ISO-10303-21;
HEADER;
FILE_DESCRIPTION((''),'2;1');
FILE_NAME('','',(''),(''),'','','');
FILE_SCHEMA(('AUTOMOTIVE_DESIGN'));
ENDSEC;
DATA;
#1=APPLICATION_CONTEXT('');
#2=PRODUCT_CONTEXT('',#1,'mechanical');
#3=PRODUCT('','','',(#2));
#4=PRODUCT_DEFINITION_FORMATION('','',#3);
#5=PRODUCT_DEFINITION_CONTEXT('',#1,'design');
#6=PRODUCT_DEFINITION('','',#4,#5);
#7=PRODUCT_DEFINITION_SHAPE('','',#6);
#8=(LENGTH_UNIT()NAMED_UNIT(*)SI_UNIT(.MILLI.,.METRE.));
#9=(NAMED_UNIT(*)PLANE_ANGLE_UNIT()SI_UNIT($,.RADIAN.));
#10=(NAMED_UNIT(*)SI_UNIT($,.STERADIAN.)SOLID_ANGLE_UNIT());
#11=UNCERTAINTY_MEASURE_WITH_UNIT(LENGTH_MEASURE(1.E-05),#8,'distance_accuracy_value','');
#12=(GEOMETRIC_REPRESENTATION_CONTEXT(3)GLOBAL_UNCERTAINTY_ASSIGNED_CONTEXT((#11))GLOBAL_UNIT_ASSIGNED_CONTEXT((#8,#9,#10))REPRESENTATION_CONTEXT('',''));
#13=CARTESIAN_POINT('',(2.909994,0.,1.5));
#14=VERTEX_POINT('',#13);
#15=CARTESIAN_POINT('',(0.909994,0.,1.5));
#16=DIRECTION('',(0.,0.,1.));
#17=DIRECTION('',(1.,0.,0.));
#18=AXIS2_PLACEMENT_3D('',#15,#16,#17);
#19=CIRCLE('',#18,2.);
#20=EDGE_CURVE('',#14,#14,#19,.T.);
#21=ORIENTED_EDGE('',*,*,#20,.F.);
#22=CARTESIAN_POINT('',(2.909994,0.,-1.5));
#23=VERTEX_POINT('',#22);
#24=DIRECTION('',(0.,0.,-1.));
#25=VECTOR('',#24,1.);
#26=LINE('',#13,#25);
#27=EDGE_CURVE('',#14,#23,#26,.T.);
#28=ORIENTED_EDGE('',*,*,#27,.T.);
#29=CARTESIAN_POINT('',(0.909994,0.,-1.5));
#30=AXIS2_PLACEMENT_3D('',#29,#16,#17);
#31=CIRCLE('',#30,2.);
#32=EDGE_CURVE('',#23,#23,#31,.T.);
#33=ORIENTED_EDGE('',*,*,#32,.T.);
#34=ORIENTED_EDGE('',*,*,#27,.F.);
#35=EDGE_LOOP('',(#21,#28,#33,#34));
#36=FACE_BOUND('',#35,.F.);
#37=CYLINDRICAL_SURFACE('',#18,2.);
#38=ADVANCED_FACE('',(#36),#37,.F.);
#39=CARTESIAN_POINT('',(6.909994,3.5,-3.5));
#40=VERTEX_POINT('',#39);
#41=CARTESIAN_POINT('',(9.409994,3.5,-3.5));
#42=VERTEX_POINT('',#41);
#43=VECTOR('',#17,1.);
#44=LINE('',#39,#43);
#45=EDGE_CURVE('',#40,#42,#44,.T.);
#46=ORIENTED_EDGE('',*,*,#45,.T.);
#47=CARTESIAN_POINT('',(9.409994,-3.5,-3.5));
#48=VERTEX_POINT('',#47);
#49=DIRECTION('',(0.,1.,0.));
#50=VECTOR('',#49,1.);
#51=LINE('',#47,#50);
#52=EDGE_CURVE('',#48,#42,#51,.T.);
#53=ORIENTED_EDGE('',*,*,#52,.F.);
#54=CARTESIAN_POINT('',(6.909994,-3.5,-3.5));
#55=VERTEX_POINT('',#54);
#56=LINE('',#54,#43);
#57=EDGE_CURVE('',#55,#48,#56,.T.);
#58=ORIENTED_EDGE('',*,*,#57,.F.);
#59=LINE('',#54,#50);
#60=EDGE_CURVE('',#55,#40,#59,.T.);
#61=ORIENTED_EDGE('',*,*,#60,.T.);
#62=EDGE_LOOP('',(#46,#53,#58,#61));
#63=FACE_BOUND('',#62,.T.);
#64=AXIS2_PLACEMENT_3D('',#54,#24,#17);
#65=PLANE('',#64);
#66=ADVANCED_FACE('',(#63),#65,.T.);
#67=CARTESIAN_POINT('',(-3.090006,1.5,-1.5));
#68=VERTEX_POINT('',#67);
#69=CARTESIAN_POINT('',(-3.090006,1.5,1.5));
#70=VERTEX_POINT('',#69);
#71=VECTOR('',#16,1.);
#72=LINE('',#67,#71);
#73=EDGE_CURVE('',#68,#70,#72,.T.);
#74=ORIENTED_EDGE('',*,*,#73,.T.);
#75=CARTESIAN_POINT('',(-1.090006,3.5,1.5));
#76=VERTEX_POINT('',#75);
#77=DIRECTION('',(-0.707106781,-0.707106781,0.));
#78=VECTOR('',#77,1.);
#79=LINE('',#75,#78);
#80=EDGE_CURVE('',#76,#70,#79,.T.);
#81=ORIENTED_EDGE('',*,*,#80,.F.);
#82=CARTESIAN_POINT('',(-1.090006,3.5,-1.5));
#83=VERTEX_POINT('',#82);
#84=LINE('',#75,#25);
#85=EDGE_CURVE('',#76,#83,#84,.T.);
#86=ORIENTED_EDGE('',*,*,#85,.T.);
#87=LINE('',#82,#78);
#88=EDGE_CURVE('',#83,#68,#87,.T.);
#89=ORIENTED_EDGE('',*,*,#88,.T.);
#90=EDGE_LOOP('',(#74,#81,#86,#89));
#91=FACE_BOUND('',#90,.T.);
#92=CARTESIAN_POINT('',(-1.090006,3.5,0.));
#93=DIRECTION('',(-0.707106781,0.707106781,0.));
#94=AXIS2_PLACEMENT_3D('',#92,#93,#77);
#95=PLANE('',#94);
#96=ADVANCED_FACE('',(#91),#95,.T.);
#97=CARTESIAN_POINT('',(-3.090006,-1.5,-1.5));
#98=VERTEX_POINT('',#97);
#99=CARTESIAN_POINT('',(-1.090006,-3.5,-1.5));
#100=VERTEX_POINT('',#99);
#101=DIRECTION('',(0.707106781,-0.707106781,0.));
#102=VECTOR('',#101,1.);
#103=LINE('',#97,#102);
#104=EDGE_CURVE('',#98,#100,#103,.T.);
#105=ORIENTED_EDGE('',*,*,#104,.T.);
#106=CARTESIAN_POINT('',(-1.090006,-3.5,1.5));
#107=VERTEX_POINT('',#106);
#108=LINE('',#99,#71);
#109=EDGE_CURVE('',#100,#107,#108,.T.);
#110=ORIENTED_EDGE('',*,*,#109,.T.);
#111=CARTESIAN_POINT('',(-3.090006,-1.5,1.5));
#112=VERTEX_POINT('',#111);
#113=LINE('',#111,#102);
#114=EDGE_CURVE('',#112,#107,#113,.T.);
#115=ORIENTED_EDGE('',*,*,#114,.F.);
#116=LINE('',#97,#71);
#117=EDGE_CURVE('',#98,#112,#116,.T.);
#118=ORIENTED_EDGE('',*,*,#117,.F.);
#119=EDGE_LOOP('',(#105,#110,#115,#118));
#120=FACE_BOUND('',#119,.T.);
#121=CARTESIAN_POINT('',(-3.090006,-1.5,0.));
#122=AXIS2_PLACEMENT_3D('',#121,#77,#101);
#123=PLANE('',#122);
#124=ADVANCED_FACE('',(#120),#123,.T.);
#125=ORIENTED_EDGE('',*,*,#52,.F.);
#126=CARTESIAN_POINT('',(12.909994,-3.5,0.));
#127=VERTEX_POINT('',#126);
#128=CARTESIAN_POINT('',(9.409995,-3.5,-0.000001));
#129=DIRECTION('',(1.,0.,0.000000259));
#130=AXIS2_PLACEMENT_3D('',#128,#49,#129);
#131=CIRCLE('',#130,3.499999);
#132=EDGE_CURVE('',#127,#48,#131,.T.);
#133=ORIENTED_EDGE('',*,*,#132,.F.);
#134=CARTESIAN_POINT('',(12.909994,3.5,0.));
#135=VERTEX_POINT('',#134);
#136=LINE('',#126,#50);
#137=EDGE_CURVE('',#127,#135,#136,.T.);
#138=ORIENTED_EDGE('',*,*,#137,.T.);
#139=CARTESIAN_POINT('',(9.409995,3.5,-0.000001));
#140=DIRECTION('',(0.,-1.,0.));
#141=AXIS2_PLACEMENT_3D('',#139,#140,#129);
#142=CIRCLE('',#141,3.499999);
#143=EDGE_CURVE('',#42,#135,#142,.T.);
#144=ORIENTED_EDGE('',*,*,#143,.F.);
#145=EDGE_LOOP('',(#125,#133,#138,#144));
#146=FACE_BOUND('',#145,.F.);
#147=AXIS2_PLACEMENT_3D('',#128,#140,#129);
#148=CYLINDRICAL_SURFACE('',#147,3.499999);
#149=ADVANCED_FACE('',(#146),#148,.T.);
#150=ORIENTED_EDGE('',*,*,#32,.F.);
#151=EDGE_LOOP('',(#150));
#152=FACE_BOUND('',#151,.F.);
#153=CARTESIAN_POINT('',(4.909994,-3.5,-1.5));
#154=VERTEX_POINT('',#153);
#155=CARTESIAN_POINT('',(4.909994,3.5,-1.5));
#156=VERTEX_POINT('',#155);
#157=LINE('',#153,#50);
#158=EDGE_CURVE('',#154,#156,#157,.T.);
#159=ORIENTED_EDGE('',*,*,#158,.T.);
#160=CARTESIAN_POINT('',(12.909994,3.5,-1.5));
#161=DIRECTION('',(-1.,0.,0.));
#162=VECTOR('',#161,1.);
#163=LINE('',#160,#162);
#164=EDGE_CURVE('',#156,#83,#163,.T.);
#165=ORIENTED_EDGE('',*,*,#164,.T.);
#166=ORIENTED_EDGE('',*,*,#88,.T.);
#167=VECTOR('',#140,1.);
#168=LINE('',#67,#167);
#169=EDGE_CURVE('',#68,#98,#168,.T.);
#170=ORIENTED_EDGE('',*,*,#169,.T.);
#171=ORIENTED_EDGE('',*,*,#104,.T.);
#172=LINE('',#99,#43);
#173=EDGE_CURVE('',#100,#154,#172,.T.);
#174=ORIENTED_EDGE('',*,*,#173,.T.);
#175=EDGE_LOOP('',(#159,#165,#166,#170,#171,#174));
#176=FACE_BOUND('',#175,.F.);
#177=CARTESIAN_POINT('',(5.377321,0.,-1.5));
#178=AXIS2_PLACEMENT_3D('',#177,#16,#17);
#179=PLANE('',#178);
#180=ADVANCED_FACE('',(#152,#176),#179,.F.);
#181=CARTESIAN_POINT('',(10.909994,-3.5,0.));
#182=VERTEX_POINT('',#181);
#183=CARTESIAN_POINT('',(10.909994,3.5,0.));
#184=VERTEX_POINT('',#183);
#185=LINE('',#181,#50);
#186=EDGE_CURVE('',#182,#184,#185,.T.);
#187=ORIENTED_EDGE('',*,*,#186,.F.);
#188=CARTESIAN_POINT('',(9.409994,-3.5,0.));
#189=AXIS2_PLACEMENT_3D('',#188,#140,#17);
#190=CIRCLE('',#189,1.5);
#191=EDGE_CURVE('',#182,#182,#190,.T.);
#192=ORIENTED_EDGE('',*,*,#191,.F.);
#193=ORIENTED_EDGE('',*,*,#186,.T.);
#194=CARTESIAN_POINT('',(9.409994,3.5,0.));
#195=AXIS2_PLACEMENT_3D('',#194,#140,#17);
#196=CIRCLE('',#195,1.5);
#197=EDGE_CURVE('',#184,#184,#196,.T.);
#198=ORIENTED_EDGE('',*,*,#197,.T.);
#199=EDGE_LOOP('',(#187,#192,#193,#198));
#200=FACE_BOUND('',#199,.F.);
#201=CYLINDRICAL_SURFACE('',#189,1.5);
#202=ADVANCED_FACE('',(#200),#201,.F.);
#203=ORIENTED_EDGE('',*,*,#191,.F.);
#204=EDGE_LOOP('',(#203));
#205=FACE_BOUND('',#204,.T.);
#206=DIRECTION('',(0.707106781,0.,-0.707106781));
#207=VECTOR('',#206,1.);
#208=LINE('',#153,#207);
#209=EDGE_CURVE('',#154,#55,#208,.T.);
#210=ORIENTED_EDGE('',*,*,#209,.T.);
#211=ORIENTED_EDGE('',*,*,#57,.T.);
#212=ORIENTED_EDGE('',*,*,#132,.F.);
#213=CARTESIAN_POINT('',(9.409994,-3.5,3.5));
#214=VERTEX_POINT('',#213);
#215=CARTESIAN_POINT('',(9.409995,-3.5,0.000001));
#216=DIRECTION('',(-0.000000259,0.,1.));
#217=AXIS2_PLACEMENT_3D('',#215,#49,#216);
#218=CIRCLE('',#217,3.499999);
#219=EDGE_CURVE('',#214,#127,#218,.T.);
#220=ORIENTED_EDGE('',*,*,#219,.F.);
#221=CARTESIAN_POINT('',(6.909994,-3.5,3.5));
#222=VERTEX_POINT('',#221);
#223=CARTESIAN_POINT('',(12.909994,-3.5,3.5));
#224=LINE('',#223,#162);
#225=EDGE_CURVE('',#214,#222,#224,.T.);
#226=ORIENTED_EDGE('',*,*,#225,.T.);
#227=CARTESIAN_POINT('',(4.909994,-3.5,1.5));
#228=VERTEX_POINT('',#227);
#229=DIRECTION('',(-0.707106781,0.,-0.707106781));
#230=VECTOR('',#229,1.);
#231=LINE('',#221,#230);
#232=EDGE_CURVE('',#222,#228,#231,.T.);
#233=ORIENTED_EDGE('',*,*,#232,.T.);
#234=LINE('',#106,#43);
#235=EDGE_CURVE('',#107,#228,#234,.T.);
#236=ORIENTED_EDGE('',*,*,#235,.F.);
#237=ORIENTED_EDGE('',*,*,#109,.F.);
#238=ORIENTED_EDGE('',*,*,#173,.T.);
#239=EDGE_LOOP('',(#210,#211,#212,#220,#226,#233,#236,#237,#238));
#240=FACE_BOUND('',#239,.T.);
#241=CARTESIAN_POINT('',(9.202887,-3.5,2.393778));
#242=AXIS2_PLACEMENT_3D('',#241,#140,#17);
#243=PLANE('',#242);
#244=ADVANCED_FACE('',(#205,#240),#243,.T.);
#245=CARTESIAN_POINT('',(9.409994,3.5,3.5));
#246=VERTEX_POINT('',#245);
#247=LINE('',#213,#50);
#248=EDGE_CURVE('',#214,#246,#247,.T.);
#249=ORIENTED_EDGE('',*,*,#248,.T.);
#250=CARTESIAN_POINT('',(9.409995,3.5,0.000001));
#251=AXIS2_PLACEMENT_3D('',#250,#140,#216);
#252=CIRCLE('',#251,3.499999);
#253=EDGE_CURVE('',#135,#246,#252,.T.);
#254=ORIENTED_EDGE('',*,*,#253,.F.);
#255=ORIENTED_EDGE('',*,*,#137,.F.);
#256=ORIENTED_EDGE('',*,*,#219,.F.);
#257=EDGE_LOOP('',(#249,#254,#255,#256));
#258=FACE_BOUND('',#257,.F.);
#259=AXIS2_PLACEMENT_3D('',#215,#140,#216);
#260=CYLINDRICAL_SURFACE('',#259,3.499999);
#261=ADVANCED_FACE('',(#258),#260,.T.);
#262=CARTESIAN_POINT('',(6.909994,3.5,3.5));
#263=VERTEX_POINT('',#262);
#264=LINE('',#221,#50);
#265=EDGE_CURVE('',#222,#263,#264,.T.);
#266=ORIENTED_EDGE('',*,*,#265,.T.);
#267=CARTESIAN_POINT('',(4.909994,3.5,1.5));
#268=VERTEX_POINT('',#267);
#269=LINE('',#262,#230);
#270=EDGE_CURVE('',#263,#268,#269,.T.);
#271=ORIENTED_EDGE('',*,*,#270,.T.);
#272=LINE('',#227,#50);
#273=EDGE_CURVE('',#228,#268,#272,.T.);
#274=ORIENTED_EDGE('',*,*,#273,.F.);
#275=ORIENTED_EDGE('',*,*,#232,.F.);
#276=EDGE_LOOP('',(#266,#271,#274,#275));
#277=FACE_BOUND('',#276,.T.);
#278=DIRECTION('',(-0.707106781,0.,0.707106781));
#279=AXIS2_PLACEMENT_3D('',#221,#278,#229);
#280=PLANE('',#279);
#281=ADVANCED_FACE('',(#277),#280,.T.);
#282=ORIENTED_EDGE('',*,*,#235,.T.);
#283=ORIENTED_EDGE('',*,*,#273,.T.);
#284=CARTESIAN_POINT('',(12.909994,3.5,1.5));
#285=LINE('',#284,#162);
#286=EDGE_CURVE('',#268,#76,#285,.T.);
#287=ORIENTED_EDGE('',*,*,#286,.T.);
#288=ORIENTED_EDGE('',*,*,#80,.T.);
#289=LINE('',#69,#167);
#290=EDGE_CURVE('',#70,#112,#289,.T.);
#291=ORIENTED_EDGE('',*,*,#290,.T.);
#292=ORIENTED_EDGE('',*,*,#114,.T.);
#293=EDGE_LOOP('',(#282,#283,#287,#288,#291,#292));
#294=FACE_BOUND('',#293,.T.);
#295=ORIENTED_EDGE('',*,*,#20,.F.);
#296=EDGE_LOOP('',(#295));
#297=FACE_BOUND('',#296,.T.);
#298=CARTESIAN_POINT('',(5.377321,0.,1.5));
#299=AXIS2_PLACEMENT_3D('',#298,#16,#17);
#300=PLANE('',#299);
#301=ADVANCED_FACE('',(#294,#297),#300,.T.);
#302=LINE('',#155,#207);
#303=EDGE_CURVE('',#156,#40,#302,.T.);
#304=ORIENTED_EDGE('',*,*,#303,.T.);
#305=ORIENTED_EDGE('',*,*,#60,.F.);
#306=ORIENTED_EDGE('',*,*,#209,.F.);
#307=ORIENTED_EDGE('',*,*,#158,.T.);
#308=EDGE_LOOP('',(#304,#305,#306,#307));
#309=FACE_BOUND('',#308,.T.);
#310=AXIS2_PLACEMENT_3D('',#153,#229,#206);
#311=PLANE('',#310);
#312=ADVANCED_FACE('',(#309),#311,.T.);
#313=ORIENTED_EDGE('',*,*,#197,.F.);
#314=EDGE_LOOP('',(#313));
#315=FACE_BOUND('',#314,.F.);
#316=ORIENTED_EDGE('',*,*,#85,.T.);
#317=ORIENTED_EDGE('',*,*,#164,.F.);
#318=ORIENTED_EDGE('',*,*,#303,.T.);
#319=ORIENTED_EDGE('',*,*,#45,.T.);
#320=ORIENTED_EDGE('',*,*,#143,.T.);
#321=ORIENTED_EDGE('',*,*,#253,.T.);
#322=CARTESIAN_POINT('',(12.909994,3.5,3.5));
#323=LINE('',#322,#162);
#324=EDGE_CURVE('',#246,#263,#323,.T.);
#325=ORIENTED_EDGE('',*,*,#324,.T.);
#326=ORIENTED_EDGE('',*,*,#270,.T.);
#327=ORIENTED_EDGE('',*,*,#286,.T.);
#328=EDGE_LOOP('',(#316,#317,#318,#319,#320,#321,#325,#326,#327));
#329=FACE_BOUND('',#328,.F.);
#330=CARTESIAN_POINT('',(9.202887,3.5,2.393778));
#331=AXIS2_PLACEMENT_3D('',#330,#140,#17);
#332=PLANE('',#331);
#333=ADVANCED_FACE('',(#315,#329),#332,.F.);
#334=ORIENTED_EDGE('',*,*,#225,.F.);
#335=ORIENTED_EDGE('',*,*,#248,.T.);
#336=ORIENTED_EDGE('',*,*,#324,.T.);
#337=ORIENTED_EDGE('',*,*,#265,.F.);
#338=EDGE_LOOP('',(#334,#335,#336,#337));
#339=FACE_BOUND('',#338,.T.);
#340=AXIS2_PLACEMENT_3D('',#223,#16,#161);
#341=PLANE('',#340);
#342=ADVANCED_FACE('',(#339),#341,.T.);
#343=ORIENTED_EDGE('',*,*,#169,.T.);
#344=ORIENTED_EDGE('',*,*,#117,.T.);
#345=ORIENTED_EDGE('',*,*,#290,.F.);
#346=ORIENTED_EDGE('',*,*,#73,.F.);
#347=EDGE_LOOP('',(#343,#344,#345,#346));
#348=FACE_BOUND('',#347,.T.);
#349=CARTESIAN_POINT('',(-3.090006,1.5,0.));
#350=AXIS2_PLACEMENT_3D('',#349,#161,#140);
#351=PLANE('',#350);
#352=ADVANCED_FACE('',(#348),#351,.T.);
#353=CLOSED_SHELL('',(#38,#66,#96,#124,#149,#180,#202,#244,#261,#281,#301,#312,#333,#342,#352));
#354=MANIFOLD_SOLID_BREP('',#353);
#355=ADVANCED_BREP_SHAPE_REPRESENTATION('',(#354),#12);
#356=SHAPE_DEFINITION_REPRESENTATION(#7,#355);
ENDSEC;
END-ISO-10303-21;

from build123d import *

# Parameters (mm, degrees)
F1_DEPTH = 1.5
F3_DEPTH = 7
F4_R     = 1.5
F5_DEPTH = 7.001
F6_R     = 2
F7_DEPTH = 5.001
F9_DEPTH = 7.001


with BuildPart() as f1:
    # F0 (on Top) → F1 (new body, symmetric)
    with BuildSketch(Plane.XY):
        Polygon((-1.090006, 3.5), (-3.090006, 1.5), (-3.090006, -1.5), (-1.090006, -3.5), (12.909994, -3.5), (12.909994, 3.5), align=None)
    extrude(amount=F1_DEPTH, both=True)

    # F2 (on face) → F3 (join)
    with BuildSketch(Plane.XZ.offset(3.5)):
        Polygon((6.909994, 3.5), (4.909994, 1.5), (12.909994, 1.5), (12.909994, 3.5), align=None)
        Polygon((12.909994, -1.5), (4.909994, -1.5), (6.909994, -3.5), (12.909994, -3.5), align=None)
    extrude(amount=-F3_DEPTH)

    # F4 (on face) → F5 (cut, through all)
    with BuildSketch(Plane.XZ.offset(3.5)):
        with Locations((9.409994, 0)):
            Circle(F4_R)
    extrude(amount=-F5_DEPTH, mode=Mode.SUBTRACT)

    # F6 (on face) → F7 (cut, through all)
    with BuildSketch(Plane.XY.offset(1.5)):
        with Locations((0.909994, 0)):
            Circle(F6_R)
    extrude(amount=-F7_DEPTH, mode=Mode.SUBTRACT)

    # F8 (on face) → F9 (cut, through all)
    with BuildSketch(Plane.XZ.offset(3.5)):
        with BuildLine():
            ThreePointArc((9.409994, 3.5), (11.884868, 2.474874), (12.909994, 0))
            Line((12.909994, 0), (12.909994, 3.5))
            Line((12.909994, 3.5), (9.409994, 3.5))
        make_face()
        with BuildLine():
            ThreePointArc((12.909994, 0), (11.884868, -2.474874), (9.409994, -3.5))
            Line((9.409994, -3.5), (12.909994, -3.5))
            Line((12.909994, -3.5), (12.909994, 0))
        make_face()
    extrude(amount=-F9_DEPTH, mode=Mode.SUBTRACT)


solid = f1.part
